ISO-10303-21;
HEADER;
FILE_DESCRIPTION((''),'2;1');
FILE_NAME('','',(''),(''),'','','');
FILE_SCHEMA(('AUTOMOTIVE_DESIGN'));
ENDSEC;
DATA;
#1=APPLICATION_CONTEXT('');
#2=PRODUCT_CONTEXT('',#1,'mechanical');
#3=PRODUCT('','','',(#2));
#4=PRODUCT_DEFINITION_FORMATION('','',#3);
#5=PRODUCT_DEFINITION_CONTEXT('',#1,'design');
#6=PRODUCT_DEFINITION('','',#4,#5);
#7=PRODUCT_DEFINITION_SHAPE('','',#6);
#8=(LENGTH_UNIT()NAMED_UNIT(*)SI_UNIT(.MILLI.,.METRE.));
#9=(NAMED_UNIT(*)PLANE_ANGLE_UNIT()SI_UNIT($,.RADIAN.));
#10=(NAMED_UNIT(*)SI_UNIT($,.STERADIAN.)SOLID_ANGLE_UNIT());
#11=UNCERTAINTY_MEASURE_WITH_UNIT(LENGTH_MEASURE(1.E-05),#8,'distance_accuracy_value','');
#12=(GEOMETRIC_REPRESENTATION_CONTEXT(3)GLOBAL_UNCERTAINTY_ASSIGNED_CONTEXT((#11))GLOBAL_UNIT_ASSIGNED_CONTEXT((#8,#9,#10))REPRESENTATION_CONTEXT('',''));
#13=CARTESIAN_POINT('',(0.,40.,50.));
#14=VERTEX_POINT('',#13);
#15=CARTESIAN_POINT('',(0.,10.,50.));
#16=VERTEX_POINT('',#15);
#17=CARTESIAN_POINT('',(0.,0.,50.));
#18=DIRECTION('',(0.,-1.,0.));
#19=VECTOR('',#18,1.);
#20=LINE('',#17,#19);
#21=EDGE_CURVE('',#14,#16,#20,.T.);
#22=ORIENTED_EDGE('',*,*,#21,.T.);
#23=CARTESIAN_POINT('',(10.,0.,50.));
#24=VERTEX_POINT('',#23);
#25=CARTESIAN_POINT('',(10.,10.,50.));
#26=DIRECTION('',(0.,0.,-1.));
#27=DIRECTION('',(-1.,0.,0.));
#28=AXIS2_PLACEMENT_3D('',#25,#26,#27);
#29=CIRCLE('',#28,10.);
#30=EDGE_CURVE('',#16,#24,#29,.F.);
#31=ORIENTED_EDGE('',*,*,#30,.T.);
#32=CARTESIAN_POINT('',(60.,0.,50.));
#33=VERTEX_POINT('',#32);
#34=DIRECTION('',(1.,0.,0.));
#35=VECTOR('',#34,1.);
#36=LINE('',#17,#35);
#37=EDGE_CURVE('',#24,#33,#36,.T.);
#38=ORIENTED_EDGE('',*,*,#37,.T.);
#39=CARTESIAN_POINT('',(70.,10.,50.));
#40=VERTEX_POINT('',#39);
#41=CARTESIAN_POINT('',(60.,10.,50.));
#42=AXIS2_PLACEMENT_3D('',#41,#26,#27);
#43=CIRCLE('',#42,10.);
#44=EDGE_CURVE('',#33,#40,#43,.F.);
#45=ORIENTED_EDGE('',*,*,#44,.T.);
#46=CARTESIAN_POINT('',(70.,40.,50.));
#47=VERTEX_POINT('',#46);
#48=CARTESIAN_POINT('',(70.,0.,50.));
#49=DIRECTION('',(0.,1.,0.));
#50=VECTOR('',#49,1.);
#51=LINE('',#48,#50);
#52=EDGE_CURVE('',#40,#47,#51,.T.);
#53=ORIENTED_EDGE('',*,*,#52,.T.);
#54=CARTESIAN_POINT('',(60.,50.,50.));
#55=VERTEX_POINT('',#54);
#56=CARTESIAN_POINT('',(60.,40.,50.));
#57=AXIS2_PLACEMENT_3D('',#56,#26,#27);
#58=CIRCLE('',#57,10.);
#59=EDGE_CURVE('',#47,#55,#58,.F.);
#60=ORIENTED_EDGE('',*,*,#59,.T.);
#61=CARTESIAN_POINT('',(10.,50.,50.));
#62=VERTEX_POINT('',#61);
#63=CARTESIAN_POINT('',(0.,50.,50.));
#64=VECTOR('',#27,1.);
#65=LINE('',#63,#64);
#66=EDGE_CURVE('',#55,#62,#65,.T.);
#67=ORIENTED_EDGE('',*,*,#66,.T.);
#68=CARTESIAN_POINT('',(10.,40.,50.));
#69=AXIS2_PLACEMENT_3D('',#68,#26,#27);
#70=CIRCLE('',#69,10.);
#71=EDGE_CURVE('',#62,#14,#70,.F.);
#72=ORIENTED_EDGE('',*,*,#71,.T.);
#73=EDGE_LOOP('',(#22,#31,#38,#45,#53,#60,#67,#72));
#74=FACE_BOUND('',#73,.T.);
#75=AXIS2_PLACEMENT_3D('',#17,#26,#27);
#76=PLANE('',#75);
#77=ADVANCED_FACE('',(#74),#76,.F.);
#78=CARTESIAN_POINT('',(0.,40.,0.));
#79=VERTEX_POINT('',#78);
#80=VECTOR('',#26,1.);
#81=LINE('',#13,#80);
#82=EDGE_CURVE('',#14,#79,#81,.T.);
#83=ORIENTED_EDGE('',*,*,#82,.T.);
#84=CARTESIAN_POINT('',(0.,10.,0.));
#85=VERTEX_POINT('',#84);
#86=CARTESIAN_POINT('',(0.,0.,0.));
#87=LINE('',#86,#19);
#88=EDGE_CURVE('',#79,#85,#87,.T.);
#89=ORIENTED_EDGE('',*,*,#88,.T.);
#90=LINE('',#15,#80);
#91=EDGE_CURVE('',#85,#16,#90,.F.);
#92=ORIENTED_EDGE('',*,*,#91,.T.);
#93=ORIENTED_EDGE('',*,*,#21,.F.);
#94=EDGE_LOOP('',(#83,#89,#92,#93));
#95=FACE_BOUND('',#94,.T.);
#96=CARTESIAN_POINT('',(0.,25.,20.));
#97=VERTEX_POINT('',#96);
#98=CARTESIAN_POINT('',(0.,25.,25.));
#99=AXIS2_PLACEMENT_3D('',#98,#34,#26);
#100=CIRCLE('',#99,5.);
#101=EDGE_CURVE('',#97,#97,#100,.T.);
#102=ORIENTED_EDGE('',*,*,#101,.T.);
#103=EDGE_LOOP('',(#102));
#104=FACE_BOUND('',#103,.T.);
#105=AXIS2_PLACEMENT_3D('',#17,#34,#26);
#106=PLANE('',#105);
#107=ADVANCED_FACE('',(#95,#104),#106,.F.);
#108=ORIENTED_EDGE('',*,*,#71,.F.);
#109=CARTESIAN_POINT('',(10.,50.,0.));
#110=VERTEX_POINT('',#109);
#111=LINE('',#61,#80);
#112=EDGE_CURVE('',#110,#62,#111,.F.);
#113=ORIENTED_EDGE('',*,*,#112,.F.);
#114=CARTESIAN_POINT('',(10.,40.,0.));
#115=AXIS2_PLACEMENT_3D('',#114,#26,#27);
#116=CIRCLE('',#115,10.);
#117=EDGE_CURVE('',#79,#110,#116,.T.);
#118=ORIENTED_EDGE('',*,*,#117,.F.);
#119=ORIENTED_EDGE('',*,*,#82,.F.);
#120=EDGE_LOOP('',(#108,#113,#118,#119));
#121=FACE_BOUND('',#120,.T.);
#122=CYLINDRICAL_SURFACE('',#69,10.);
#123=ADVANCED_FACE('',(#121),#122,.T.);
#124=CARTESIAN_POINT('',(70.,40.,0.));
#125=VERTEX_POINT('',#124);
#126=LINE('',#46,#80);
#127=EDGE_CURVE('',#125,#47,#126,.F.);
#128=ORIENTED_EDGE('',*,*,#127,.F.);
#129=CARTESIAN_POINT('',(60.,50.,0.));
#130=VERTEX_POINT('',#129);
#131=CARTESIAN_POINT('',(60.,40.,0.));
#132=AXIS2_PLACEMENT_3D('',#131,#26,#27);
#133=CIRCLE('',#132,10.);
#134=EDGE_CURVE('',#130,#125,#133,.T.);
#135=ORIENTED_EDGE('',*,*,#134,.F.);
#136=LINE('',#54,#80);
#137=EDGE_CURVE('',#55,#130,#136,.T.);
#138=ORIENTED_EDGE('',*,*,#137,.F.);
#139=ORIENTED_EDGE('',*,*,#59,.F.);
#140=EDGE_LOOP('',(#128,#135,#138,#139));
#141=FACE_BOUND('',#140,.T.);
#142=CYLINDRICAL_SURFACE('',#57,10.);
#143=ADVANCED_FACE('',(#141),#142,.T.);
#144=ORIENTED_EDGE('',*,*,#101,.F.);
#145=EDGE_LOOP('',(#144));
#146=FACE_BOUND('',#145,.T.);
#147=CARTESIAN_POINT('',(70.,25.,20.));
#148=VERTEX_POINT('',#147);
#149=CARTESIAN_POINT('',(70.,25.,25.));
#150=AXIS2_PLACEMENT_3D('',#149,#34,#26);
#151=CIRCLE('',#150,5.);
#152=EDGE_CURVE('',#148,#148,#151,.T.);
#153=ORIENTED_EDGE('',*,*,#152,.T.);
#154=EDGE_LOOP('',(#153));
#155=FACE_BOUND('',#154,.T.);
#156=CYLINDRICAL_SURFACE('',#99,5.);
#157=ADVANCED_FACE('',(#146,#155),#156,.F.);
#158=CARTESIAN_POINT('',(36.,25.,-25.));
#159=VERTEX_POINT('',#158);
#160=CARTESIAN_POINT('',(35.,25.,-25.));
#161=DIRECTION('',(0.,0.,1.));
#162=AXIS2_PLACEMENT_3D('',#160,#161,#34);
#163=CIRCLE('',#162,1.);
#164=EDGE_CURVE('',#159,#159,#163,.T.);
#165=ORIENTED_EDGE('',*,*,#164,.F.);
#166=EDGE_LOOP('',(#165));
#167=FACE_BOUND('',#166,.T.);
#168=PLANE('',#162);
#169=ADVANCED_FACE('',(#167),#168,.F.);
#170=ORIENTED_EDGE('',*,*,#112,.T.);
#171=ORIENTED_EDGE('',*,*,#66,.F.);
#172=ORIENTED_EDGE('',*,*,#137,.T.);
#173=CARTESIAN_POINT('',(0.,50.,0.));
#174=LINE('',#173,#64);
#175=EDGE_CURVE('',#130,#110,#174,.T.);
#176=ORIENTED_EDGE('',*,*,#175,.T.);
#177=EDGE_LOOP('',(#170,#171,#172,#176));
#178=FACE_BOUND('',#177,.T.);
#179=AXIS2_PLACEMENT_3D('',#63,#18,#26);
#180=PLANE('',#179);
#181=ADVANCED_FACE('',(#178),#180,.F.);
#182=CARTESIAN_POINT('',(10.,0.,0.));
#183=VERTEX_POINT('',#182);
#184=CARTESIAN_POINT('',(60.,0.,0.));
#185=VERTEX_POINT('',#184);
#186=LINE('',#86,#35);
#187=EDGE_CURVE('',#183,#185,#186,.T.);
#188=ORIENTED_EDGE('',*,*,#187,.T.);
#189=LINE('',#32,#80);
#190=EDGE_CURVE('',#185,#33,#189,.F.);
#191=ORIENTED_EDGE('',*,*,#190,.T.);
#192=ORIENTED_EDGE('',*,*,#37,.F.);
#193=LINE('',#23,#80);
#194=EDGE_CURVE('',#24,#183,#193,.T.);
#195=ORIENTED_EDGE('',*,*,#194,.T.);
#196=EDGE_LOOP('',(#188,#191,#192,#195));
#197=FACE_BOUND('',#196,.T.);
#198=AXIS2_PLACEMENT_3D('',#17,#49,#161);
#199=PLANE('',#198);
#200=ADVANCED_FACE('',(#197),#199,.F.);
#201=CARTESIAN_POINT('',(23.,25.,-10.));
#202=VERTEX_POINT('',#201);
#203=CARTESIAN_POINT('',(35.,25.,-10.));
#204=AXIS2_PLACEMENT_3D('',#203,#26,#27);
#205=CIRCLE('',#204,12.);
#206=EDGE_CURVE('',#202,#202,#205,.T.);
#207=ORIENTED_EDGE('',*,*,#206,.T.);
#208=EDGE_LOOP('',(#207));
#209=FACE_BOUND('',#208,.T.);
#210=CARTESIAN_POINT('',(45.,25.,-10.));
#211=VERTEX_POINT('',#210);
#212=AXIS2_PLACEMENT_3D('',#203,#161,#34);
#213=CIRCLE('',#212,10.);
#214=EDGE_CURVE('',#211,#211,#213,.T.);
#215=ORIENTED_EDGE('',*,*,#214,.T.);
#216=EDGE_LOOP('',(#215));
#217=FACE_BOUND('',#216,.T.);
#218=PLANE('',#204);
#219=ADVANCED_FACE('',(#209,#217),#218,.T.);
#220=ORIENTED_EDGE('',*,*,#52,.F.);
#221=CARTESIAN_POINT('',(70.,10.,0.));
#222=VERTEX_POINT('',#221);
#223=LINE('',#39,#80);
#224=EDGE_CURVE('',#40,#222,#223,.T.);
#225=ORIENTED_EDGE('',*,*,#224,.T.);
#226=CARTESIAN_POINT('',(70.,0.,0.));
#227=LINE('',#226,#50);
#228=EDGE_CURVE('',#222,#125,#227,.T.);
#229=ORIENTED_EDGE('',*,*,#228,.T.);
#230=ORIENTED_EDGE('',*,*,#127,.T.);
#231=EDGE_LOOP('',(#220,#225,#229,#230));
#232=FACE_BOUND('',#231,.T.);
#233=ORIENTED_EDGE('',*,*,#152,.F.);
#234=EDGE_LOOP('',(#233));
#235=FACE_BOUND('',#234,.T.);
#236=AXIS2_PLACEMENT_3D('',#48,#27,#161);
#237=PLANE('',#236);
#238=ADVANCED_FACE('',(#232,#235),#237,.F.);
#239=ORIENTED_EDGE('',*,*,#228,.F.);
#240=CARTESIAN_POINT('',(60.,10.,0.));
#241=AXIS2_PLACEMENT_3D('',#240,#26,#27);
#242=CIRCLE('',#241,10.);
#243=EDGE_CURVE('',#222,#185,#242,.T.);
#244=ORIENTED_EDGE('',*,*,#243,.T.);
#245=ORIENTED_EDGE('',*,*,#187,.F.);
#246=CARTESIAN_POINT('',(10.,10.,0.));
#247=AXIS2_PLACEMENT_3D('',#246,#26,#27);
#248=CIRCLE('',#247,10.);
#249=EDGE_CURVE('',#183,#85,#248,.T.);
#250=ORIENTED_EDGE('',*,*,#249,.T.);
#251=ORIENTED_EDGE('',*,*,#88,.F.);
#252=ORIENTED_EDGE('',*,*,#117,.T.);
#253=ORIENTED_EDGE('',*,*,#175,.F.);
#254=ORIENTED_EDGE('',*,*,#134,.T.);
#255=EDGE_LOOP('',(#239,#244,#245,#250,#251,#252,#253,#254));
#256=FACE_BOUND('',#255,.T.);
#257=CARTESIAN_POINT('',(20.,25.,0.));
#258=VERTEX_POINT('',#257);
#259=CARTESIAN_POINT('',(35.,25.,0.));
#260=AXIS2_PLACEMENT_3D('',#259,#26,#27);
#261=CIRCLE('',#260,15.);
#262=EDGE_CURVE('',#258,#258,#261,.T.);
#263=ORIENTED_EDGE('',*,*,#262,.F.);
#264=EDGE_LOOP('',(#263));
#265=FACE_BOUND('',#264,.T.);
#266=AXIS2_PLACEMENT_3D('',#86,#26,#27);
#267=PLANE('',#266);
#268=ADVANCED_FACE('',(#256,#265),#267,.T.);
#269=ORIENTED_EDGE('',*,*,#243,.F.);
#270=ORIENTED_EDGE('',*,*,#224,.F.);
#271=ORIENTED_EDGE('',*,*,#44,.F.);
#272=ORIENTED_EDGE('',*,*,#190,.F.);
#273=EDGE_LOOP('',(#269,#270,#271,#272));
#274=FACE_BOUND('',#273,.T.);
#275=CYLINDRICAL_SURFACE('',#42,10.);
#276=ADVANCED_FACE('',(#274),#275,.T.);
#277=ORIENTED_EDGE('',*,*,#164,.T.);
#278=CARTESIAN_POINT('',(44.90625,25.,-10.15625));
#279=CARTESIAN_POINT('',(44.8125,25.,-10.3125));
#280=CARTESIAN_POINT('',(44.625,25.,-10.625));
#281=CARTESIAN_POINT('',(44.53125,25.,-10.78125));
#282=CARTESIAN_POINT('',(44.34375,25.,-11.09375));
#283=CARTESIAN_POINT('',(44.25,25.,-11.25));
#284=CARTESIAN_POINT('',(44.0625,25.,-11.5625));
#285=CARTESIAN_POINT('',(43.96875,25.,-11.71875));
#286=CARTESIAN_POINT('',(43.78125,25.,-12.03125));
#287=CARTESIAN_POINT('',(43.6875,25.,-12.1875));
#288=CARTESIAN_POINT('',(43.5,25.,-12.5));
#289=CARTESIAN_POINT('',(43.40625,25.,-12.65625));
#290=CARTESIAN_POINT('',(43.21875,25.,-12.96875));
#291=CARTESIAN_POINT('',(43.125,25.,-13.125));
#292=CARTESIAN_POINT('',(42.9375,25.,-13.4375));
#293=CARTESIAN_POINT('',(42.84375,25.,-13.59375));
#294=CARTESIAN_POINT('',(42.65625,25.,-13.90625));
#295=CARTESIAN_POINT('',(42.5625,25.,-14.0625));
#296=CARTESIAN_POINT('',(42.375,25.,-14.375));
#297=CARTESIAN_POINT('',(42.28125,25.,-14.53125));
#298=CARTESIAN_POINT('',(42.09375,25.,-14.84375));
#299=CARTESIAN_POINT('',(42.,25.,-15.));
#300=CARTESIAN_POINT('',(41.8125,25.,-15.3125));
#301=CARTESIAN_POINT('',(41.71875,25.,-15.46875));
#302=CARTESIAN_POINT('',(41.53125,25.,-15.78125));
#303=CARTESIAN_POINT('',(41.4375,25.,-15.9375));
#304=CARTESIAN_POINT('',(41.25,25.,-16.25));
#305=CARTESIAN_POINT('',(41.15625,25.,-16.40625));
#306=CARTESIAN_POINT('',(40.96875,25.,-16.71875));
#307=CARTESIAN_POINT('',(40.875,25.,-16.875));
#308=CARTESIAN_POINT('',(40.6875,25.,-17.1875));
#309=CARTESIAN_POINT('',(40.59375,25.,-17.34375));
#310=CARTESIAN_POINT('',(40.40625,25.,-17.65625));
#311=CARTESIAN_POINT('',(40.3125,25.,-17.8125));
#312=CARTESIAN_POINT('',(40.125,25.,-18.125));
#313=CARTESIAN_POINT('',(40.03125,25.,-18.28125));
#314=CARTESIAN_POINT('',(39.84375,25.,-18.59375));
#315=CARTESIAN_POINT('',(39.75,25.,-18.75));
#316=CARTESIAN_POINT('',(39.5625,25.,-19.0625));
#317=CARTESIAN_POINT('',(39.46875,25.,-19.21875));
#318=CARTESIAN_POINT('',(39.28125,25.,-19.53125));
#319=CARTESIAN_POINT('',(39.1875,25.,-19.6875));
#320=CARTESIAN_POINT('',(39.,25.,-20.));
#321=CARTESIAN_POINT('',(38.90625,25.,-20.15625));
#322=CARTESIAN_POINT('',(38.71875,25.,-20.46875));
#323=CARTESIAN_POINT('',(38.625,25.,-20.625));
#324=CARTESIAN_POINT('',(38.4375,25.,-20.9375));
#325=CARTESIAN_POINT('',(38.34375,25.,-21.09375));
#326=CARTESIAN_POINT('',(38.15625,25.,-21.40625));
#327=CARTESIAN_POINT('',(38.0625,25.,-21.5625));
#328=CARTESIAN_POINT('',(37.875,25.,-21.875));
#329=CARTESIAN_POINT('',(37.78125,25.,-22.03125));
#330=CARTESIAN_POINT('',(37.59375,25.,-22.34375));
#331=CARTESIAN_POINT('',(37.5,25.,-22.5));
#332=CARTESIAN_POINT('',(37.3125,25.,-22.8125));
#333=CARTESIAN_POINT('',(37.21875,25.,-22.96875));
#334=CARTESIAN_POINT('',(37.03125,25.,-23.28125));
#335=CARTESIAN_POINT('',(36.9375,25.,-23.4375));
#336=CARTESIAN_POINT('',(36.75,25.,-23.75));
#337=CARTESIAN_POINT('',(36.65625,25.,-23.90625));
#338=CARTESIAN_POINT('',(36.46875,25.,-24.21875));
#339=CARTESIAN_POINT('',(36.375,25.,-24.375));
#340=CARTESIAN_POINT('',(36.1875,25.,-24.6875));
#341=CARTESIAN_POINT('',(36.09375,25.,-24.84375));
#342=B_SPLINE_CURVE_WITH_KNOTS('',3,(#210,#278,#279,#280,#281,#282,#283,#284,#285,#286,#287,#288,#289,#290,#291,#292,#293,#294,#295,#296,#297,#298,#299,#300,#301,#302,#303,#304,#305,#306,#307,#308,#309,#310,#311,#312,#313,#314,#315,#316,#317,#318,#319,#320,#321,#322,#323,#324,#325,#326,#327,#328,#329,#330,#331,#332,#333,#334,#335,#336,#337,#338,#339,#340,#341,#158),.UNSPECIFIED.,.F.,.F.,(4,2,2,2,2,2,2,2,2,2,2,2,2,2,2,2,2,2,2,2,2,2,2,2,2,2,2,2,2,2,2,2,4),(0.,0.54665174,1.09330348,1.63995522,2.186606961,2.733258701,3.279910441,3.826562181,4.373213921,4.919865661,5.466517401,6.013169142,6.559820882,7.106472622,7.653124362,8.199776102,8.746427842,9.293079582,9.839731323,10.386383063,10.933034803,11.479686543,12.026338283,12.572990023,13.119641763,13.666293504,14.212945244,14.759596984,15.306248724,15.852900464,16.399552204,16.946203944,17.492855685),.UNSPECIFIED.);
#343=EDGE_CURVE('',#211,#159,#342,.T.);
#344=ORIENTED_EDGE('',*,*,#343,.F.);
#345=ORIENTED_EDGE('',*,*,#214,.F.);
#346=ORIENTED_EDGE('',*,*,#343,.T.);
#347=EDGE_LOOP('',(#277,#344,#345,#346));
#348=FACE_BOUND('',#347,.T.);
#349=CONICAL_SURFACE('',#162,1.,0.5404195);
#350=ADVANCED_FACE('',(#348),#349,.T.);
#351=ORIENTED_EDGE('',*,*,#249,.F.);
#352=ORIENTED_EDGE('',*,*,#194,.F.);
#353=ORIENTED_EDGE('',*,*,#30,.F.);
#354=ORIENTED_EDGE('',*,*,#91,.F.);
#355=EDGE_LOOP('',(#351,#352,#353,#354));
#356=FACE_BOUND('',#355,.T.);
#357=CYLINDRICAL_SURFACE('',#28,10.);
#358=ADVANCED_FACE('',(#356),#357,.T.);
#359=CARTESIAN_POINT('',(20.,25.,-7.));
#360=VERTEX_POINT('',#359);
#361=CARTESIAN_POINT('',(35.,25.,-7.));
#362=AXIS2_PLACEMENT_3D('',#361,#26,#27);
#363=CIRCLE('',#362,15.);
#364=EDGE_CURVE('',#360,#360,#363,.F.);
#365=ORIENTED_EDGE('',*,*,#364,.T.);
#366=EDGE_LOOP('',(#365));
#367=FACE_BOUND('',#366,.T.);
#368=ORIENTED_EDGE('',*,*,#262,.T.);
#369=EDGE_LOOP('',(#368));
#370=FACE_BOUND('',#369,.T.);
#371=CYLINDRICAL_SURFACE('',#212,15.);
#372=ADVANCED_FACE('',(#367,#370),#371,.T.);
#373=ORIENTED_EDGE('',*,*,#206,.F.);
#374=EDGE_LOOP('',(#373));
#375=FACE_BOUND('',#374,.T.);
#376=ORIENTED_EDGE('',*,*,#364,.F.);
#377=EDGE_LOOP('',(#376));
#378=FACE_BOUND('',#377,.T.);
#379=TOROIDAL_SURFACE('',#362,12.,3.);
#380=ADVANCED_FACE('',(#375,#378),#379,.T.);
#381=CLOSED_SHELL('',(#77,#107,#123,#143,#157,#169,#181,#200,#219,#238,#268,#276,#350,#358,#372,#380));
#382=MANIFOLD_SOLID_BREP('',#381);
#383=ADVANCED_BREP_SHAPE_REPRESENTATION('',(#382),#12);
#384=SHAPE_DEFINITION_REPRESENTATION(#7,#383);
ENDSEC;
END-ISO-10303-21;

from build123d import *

# Parameters (mm, degrees)
SKETCH1_W           = 70
SKETCH1_H           = 50
BOSS_EXTRUDE1_DEPTH = 50
SKETCH2_R           = 5
CUT_EXTRUDE1_DEPTH  = 100.498743711
SKETCH3_R           = 15
BOSS_EXTRUDE2_DEPTH = 10
FILLET1_R           = 3
FILLET2_R           = 10


with BuildPart() as part:
    # Sketch1 → Boss-Extrude1 (new body)
    with BuildSketch(Plane.XY):
        with Locations((35, 25)):
            Rectangle(SKETCH1_W, SKETCH1_H)
    extrude(amount=BOSS_EXTRUDE1_DEPTH)

    # Sketch2 → Cut-Extrude1 (cut, through all)
    with BuildSketch(Plane(origin=(70, 0, 0), x_dir=(0, 0, -1), z_dir=(1, 0, 0))):
        with Locations((-25, 25)):
            Circle(SKETCH2_R)
    extrude(amount=-CUT_EXTRUDE1_DEPTH, mode=Mode.SUBTRACT)

    # Sketch3 → Boss-Extrude2 (add)
    with BuildSketch(Plane(origin=(0, 0, 0), x_dir=(-1, 0, 0), z_dir=(0, 0, -1))):
        with Locations((-35, 25)):
            Circle(SKETCH3_R)
    extrude(amount=BOSS_EXTRUDE2_DEPTH)

    # Sketch4 → Revolve1 (revolve)
    with BuildSketch(Plane(origin=(35, 0, 0), x_dir=(0, 0, -1), z_dir=(1, 0, 0)), mode=Mode.PRIVATE) as revolve1_sk:
        Polygon((10, 25), (10, 35), (25, 26), (25, 25), align=None)
    revolve(revolve1_sk.sketch.rotate(Axis((35, 25, -10), (0, 0, -1)), 90), axis=Axis((35, 25, -10), (0, 0, -1)))

    # Fillet1
    fillet1_edges = [part.edges().sort_by_distance(p)[0] for p in [
        (50, 25, -10),
    ]]
    fillet(fillet1_edges, radius=FILLET1_R)

    # Fillet2
    fillet2_edges = [part.edges().sort_by_distance(p)[0] for p in [
        (0, 50, 25),
        (70, 50, 25),
        (70, 0, 25),
        (0, 0, 25),
    ]]
    fillet(fillet2_edges, radius=FILLET2_R)


solid = part.part
